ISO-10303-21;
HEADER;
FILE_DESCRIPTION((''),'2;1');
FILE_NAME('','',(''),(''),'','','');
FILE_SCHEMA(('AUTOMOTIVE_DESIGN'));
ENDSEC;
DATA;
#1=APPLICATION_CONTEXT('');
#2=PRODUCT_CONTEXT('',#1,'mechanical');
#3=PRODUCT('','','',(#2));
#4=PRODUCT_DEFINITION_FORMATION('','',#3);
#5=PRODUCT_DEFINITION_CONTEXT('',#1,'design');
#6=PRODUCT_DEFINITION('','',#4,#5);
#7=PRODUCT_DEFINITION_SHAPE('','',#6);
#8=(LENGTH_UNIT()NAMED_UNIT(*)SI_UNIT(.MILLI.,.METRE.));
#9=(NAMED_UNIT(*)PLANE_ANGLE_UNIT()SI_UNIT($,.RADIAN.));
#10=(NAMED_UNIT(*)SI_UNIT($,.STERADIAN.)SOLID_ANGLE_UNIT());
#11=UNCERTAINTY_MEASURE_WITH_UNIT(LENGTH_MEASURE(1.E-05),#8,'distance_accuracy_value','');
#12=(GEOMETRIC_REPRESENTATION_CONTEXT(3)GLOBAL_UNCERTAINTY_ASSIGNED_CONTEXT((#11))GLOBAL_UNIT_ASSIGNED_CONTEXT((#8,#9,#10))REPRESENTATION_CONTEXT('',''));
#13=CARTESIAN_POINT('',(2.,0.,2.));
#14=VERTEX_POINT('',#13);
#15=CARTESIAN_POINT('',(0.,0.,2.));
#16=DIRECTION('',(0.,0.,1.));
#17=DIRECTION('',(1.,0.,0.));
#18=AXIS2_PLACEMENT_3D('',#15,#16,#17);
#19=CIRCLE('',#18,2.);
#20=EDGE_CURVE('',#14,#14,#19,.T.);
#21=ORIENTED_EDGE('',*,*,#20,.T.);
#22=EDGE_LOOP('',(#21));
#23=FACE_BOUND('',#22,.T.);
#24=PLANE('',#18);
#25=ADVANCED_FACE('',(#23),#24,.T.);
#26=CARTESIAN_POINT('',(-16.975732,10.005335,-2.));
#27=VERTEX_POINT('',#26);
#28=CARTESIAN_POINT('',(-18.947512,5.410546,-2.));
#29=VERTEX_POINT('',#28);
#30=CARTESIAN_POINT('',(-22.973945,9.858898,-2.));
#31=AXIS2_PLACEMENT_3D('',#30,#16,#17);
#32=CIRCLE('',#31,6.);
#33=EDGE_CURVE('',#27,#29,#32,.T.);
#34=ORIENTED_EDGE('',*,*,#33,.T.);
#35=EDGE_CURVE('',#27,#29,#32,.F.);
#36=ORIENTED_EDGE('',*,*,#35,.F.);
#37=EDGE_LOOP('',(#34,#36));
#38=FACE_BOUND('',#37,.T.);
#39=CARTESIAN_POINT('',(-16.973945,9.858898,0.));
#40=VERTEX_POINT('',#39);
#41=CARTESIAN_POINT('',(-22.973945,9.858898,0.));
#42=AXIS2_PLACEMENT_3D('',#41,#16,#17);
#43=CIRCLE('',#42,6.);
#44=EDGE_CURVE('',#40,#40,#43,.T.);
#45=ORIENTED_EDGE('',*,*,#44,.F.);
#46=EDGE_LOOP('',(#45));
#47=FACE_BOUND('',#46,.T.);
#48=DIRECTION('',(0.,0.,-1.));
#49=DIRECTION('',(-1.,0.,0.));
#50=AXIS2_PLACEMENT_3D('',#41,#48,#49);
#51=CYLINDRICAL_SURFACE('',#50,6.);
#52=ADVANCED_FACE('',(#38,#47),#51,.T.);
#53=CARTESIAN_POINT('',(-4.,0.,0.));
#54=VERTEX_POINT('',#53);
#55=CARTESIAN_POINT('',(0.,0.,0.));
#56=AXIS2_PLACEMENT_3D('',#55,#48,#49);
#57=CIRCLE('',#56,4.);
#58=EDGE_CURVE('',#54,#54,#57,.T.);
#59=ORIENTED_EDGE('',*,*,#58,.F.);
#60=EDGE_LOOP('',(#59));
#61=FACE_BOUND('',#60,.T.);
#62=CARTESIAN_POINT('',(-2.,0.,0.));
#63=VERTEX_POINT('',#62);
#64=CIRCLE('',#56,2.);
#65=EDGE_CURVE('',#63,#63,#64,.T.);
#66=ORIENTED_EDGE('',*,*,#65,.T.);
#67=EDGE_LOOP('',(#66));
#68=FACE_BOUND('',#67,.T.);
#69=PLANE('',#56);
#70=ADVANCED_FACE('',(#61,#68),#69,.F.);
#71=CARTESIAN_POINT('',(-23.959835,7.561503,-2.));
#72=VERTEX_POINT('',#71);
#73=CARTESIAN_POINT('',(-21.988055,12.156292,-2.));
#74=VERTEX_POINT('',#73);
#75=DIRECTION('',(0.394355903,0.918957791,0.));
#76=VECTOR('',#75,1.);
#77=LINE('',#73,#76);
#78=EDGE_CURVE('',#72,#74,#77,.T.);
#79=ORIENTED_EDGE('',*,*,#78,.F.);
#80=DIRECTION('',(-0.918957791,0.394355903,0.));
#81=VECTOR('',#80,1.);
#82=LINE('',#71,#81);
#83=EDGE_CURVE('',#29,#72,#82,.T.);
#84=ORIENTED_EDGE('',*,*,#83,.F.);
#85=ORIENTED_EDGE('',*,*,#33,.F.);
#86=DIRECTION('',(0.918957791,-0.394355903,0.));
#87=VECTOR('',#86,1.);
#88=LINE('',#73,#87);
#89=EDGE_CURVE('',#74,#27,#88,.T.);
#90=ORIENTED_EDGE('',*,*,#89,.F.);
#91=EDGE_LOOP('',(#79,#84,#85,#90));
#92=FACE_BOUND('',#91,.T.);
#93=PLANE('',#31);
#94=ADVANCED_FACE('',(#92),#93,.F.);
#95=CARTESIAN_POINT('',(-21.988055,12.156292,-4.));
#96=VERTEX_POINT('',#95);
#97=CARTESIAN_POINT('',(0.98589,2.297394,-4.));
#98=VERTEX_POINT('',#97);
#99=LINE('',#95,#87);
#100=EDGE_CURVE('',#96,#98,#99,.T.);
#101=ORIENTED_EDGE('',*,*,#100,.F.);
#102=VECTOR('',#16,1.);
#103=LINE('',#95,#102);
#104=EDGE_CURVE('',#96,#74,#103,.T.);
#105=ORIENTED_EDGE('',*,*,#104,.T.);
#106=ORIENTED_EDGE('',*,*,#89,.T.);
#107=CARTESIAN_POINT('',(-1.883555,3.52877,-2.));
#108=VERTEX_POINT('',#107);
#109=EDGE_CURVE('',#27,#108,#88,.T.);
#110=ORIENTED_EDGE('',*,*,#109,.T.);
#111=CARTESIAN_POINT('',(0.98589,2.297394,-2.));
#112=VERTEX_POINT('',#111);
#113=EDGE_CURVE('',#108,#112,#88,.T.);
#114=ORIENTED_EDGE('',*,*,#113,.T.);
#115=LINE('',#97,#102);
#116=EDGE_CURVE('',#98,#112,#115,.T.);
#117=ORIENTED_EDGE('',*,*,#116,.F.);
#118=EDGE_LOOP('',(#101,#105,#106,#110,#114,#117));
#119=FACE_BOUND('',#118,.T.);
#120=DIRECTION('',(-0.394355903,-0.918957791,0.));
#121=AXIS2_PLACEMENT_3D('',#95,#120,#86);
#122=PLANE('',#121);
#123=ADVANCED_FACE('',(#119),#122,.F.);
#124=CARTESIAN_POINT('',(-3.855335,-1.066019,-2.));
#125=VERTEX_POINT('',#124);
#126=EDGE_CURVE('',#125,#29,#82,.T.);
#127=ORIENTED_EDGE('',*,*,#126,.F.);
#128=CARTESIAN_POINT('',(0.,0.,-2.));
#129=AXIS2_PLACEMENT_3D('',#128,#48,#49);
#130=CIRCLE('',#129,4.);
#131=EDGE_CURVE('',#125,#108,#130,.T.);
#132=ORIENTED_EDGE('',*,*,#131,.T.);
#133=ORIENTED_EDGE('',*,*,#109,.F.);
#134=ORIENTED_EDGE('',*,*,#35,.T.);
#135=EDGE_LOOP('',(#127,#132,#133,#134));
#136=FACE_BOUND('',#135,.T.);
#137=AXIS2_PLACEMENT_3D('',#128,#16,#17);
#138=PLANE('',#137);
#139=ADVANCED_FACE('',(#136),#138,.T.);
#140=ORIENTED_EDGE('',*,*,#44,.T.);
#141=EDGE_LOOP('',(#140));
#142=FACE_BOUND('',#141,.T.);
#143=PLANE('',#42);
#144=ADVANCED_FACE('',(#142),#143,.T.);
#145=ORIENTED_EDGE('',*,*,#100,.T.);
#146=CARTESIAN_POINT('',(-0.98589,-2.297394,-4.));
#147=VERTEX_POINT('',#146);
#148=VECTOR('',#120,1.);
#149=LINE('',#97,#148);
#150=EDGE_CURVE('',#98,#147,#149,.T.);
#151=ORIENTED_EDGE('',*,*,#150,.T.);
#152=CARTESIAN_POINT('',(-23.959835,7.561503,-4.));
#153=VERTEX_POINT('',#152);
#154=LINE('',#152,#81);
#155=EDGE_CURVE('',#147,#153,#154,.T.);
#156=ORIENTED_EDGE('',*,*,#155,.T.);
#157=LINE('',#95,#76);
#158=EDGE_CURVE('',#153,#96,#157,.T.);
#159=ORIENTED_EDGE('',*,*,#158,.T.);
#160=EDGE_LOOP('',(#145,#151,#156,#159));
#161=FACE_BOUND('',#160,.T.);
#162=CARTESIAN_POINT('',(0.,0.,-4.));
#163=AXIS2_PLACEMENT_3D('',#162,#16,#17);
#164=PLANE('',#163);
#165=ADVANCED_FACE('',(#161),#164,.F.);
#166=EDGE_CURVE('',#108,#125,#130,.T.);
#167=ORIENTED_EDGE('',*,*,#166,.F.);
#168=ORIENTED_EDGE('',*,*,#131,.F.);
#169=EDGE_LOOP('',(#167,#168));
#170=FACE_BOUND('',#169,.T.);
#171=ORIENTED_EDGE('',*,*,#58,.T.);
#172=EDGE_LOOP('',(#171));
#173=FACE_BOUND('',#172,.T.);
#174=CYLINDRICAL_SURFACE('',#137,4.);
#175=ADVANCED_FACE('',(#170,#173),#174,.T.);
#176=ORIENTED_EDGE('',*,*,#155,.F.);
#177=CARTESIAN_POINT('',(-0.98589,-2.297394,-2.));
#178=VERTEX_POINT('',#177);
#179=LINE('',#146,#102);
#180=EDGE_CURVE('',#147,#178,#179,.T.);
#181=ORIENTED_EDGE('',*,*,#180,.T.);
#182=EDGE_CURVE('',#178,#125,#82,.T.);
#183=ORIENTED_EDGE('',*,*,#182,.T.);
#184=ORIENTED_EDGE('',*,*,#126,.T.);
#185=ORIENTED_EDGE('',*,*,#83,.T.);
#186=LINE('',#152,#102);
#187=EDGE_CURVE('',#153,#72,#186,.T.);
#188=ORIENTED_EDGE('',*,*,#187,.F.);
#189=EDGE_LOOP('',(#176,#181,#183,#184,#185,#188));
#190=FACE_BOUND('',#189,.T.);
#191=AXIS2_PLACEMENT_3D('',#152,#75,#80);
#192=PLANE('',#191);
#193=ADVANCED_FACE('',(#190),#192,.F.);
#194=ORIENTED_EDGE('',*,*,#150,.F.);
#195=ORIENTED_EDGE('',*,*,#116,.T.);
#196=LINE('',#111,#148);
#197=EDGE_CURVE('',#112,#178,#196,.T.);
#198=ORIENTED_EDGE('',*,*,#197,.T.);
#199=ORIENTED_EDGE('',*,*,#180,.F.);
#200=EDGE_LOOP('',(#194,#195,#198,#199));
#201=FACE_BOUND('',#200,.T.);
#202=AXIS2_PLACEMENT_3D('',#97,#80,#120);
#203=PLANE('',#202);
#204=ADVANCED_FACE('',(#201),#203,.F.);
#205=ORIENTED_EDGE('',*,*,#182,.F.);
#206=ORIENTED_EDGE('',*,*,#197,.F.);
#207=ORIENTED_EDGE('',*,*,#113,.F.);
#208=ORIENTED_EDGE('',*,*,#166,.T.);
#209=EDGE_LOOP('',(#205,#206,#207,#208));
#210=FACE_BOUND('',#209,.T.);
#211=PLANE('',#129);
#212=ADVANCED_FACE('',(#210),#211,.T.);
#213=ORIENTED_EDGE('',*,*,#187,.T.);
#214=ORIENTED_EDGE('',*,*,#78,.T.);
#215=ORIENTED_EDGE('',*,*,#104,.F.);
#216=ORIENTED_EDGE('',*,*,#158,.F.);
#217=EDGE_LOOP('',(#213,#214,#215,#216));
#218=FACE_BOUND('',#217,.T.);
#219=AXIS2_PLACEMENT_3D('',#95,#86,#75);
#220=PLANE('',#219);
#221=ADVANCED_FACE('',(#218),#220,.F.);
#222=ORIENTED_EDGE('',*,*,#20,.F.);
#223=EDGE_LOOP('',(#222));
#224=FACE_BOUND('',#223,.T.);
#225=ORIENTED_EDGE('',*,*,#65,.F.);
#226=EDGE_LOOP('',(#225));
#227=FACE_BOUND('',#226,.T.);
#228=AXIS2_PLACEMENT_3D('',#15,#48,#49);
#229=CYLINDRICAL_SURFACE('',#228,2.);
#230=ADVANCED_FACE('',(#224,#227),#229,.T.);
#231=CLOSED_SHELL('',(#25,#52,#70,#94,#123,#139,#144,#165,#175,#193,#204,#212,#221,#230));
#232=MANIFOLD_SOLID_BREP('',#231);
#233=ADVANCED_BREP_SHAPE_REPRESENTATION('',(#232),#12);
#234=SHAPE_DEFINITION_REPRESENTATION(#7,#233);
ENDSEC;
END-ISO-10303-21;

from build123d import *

# Parameters (mm, degrees)
SKETCH1_R           = 2
BOSS_EXTRUDE1_DEPTH = 2
SKETCH2_R           = 4
BOSS_EXTRUDE2_DEPTH = 2
BOSS_EXTRUDE3_DEPTH = 2
SKETCH4_R           = 6
BOSS_EXTRUDE4_DEPTH = 2


with BuildPart() as part:
    # Sketch1 → Boss-Extrude1 (new body)
    with BuildSketch(Plane.XY):
        Circle(SKETCH1_R)
    extrude(amount=BOSS_EXTRUDE1_DEPTH)

    # Sketch2 → Boss-Extrude2 (add)
    with BuildSketch(Plane(origin=(0, 0, 0), x_dir=(-1, 0, 0), z_dir=(0, 0, -1))):
        Circle(SKETCH2_R)
    extrude(amount=BOSS_EXTRUDE2_DEPTH)

    # Sketch3 → Boss-Extrude3 (add)
    with BuildSketch(Plane(origin=(0, 0, -2), x_dir=(-1, 0, 0), z_dir=(0, 0, -1))):
        Polygon((21.988055025, 12.156292042), (-0.985889756, 2.297394478), (0.985889756, -2.297394478), (23.959834538, 7.561503086), align=None)
    extrude(amount=BOSS_EXTRUDE3_DEPTH)

    # Sketch4 → Boss-Extrude4 (add)
    with BuildSketch(Plane.XY.offset(-2)):
        with Locations(Location((-22.973944782, 9.858897564, 0), (0, 0, 312.149872239))):
            Circle(SKETCH4_R)
    extrude(amount=BOSS_EXTRUDE4_DEPTH)


solid = part.part
